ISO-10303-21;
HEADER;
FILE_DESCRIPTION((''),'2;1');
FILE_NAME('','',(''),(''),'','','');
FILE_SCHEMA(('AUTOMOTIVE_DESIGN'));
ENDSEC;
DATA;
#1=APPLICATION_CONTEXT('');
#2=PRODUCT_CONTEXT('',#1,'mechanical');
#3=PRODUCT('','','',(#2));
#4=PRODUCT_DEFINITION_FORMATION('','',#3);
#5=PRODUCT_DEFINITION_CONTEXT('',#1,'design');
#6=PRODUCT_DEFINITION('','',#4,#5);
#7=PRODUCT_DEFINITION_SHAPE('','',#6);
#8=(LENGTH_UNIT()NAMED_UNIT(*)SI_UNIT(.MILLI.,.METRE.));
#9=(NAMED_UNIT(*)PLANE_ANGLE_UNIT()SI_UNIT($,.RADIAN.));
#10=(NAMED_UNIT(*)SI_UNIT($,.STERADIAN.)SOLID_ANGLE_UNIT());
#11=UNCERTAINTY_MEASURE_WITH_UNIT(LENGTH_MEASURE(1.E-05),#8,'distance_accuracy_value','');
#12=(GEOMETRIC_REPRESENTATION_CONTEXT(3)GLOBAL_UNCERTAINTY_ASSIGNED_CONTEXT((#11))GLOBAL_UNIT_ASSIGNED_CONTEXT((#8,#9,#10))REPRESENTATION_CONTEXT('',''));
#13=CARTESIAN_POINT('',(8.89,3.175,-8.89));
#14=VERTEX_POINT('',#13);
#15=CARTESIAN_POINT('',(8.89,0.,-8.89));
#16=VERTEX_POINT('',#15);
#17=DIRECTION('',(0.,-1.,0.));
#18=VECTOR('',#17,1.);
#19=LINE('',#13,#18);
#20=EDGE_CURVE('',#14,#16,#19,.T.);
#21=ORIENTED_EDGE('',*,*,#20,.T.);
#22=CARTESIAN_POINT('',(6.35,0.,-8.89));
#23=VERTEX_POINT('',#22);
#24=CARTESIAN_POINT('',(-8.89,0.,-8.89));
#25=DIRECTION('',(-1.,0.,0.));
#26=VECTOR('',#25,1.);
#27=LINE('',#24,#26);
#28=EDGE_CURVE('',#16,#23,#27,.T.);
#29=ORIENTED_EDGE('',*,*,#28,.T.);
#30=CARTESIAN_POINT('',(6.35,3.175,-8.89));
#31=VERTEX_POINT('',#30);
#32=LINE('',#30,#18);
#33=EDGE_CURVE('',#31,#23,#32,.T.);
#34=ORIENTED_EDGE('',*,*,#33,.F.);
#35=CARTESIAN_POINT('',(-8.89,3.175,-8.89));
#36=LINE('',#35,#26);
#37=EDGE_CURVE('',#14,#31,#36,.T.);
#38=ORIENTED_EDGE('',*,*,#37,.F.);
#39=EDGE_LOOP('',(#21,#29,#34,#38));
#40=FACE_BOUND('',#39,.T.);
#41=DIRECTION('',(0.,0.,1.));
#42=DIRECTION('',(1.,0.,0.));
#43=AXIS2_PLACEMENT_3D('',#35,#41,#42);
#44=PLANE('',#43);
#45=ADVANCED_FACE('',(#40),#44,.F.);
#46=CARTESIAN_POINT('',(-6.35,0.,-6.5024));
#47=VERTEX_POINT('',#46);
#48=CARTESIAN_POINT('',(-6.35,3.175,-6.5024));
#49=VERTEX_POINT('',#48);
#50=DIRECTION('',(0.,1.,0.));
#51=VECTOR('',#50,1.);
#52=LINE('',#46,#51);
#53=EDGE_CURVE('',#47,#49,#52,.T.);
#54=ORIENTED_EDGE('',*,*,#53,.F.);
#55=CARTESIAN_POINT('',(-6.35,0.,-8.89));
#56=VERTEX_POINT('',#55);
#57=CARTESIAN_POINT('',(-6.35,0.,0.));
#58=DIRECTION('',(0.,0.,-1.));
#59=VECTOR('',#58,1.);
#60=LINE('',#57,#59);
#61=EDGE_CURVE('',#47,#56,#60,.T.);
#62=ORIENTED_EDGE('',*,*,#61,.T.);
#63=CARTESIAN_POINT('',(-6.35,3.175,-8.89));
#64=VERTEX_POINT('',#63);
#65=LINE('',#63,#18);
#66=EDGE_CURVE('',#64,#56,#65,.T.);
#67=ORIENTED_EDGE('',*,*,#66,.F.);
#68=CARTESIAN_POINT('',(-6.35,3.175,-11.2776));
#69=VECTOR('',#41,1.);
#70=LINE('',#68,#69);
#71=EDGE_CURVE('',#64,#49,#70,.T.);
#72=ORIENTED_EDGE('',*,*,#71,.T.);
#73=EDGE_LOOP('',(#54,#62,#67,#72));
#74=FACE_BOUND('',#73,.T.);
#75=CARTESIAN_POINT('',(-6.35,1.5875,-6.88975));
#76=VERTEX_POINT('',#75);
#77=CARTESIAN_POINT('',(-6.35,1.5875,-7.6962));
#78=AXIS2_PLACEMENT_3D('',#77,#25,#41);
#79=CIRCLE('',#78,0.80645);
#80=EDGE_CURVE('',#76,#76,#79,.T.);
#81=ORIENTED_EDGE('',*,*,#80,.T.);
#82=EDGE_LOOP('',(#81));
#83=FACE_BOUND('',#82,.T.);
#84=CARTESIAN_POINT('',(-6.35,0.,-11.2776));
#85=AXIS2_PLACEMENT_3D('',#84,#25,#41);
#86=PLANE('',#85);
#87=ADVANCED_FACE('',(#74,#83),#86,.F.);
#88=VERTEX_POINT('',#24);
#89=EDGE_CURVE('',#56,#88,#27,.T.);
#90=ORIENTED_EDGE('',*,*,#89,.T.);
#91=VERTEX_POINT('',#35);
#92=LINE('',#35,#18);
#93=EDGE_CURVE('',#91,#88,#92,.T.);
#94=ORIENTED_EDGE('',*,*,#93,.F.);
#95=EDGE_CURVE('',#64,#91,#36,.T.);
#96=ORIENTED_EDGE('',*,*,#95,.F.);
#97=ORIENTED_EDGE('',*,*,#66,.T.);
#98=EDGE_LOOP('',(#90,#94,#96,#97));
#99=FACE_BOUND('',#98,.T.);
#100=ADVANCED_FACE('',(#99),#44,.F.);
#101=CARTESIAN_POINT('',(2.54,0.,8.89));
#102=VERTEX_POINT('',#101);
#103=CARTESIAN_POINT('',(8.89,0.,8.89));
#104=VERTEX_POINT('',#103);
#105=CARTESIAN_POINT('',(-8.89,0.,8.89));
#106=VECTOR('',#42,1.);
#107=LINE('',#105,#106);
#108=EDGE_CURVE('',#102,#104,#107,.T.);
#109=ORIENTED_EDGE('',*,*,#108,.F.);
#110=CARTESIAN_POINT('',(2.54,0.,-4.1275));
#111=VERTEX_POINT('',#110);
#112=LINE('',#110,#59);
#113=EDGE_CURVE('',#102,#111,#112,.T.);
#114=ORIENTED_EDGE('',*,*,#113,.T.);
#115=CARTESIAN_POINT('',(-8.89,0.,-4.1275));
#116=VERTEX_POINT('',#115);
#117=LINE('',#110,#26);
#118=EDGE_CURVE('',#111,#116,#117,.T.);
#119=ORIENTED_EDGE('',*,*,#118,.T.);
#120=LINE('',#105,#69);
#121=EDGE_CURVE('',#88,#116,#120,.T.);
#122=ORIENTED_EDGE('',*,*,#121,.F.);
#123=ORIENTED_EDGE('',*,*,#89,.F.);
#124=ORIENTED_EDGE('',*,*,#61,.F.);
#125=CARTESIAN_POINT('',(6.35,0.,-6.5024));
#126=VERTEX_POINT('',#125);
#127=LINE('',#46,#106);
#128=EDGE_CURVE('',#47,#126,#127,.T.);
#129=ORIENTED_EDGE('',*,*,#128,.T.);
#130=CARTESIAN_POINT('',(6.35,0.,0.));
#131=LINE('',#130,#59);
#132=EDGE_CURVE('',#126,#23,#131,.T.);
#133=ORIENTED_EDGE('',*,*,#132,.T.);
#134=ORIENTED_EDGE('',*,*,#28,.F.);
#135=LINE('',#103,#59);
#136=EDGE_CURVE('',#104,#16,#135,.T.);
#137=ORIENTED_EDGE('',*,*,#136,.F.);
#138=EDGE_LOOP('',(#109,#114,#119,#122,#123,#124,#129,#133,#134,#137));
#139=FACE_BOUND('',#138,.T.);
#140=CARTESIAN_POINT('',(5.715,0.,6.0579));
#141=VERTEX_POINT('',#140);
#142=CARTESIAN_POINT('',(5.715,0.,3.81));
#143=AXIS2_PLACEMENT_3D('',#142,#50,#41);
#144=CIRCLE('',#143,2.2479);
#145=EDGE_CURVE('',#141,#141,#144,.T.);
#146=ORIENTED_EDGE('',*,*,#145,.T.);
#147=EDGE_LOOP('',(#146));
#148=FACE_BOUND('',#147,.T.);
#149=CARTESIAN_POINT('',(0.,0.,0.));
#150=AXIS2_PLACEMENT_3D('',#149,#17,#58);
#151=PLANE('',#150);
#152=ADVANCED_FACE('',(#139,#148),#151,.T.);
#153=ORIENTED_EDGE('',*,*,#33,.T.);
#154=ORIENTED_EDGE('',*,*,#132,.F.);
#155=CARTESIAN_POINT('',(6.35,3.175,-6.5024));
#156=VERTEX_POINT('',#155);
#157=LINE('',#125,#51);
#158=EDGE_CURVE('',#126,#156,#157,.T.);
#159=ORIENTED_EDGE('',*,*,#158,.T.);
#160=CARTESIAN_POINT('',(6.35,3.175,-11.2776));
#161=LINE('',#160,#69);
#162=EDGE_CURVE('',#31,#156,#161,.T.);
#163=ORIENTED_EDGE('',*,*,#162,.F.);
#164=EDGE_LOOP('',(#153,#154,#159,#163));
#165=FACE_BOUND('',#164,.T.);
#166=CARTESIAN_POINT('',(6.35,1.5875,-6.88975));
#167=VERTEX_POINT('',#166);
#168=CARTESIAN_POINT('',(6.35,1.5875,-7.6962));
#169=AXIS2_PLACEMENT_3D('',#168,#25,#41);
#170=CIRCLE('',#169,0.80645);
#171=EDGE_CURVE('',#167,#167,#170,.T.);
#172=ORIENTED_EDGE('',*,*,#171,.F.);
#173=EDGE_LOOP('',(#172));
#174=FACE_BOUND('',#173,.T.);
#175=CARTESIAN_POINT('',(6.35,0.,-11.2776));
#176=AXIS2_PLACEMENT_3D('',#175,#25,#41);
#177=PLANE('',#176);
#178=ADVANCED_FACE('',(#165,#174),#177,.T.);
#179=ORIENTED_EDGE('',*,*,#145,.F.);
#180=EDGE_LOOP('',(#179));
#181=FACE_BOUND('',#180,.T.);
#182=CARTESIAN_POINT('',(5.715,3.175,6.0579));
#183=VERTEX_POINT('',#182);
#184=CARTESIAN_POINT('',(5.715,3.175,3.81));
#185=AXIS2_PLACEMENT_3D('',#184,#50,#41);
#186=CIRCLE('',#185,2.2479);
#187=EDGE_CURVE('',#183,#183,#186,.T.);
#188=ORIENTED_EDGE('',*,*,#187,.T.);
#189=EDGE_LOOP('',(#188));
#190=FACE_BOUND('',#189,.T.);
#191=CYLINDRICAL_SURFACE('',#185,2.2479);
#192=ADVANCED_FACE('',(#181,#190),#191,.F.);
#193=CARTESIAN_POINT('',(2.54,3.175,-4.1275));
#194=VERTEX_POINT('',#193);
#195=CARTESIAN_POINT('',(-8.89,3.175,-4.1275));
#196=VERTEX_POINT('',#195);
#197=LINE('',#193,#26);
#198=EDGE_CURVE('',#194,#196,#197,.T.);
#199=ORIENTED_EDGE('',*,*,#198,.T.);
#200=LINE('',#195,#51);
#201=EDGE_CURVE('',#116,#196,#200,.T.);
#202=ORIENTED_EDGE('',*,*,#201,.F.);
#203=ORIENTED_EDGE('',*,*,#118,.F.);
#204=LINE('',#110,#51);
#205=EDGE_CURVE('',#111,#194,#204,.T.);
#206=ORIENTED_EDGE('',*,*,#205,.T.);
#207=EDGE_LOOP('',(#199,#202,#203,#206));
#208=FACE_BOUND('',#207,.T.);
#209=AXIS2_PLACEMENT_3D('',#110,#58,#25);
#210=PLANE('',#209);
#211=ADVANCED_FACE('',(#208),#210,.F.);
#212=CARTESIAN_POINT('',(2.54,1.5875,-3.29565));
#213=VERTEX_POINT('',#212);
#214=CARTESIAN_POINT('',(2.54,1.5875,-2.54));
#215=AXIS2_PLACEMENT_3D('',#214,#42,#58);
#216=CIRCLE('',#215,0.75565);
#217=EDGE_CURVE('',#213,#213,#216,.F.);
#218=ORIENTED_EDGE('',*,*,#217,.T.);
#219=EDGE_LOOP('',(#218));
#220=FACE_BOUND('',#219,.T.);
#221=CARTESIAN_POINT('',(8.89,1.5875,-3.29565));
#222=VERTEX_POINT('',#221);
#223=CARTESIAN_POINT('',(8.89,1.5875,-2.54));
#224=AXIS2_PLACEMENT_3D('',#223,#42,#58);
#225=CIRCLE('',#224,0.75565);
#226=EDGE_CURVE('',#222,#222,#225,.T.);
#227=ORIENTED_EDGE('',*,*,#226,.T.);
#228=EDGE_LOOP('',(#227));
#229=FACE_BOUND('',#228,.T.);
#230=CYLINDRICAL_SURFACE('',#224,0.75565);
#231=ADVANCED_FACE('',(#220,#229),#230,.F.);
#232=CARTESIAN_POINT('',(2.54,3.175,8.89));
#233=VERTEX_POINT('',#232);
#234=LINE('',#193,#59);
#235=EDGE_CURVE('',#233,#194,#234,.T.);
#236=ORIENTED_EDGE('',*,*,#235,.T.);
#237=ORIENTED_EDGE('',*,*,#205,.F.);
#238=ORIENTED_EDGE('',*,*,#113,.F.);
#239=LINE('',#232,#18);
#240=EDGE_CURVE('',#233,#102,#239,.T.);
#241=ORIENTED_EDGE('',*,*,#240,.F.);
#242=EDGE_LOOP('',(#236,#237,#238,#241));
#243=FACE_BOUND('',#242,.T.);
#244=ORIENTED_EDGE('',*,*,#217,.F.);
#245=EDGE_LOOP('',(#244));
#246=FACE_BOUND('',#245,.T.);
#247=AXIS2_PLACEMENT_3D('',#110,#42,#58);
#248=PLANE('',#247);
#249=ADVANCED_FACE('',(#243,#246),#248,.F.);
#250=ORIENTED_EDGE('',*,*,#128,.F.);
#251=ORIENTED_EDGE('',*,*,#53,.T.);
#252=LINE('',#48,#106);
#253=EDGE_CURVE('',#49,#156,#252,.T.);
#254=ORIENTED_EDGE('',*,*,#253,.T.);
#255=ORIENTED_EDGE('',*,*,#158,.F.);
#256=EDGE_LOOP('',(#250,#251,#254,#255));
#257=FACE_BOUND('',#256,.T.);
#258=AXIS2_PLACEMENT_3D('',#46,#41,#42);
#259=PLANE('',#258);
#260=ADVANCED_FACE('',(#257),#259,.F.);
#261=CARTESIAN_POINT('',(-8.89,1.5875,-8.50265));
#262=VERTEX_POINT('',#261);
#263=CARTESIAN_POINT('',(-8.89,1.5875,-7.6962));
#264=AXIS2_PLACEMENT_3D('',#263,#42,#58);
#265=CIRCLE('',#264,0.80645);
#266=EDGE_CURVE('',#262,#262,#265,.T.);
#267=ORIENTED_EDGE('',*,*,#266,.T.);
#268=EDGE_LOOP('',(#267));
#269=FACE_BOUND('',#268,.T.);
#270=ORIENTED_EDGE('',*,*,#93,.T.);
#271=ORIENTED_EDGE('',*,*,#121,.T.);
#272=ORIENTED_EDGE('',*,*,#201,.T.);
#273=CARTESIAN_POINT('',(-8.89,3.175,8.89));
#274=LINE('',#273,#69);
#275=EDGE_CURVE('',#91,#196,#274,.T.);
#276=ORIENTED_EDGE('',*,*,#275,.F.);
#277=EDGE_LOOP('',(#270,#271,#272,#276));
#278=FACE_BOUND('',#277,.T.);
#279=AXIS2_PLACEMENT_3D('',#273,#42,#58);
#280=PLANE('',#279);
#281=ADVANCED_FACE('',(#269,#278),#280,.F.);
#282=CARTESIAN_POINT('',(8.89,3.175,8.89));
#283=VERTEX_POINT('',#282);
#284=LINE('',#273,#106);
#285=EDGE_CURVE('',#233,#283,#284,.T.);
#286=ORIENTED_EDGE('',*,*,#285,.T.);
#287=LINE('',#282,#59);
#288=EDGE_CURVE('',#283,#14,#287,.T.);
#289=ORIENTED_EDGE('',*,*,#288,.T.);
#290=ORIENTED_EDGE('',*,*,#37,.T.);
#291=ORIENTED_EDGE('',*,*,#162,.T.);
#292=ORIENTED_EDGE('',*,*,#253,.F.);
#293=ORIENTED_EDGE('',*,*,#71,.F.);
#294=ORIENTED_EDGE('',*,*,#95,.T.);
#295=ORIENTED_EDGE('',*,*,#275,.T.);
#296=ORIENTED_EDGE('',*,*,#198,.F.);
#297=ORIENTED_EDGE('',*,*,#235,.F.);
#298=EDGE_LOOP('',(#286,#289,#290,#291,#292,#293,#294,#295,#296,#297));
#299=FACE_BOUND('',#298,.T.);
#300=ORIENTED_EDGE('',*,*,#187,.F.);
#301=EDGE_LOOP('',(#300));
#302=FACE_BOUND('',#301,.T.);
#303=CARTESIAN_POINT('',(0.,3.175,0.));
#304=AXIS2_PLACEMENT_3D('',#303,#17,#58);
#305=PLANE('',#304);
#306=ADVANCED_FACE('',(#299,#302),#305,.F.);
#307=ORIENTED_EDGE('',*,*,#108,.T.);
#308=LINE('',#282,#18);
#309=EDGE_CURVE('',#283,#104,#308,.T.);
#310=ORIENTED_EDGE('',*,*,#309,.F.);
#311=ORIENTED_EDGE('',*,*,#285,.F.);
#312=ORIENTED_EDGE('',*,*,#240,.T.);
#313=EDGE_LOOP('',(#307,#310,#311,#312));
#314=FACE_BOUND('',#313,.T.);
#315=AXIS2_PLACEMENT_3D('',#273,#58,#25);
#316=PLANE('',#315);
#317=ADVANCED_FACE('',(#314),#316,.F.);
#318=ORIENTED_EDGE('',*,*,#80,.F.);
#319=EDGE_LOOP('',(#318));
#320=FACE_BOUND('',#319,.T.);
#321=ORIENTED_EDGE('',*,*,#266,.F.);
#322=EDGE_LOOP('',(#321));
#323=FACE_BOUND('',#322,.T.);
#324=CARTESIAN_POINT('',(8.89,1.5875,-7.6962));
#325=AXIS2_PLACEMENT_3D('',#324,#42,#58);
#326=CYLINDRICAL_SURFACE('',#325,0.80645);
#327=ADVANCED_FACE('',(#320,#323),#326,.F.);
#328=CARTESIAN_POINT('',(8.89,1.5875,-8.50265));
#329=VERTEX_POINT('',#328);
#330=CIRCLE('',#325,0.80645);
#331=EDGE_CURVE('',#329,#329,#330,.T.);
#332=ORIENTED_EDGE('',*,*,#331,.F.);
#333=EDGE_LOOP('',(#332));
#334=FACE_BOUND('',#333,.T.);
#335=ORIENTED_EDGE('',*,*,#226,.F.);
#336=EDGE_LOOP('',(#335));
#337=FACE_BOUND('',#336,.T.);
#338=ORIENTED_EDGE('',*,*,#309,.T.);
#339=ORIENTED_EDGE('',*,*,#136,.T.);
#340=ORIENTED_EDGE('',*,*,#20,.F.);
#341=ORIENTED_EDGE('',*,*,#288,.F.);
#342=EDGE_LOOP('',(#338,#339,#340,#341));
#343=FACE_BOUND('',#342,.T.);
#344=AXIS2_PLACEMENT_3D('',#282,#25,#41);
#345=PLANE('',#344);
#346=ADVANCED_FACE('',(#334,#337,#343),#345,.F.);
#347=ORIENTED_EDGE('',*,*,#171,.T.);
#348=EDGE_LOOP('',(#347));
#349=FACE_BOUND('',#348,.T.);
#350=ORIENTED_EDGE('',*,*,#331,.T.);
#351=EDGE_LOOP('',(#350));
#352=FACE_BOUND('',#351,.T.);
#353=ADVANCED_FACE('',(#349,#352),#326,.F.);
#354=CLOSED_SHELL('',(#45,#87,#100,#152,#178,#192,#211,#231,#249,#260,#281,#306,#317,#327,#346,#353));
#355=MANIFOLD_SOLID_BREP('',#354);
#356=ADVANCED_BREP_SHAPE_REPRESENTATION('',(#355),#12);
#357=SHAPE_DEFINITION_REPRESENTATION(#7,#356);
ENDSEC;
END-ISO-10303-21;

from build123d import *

# Parameters (mm, degrees)
SKETCH1_W             = 17.78
SKETCH1_H             = 17.78
BOSS_EXTRUDE1_DEPTH   = 3.175
SKETCH2_W             = 12.7
SKETCH2_H             = 4.7752
CUT_EXTRUDE1_DEPTH    = 4.175
F_8_CLEARANCE_HOLE1_D = 4.4958
F_0_CLEARANCE_HOLE1_D = 1.6129
F_1_72_TAPPED_HOLE1_D = 1.5113
SKETCH16_W            = 15.75311933
SKETCH16_H            = 13.574133519
CUT_EXTRUDE2_DEPTH    = 4.175


with BuildPart() as part:
    # Sketch1 → Boss-Extrude1 (new body)
    with BuildSketch(Plane(origin=(0, 0, 0), x_dir=(1, 0, 0), z_dir=(0, 1, 0))):
        Rectangle(SKETCH1_W, SKETCH1_H)
    extrude(amount=BOSS_EXTRUDE1_DEPTH)

    # Sketch2 → Cut-Extrude1 (cut, through all)
    with BuildSketch(Plane(origin=(0, 3.175, 0), x_dir=(1, 0, 0), z_dir=(0, 1, 0))):
        with Locations((0, 8.89)):
            Rectangle(SKETCH2_W, SKETCH2_H)
    extrude(amount=-CUT_EXTRUDE1_DEPTH, mode=Mode.SUBTRACT)

    # #8 Clearance Hole1 (through all)
    with Locations(Plane(origin=(0, 3.175, 0), x_dir=(1, 0, 0), z_dir=(0, 1, 0))):
        with Locations((5.715, -3.81)):
            Hole(F_8_CLEARANCE_HOLE1_D / 2)

    # #0 Clearance Hole1 (through all)
    with Locations(Plane(origin=(8.89, 0, 0), x_dir=(0, 0, -1), z_dir=(1, 0, 0))):
        with Locations((7.6962, 1.5875)):
            Hole(F_0_CLEARANCE_HOLE1_D / 2)

    # #1-72 Tapped Hole1 (through all)
    with Locations(Plane(origin=(8.89, 0, 0), x_dir=(0, 0, -1), z_dir=(1, 0, 0))):
        with Locations((2.54, 1.5875)):
            Hole(F_1_72_TAPPED_HOLE1_D / 2)

    # Sketch16 → Cut-Extrude2 (cut, through all)
    with BuildSketch(Plane(origin=(0, 3.175, 0), x_dir=(1, 0, 0), z_dir=(0, 1, 0))):
        with Locations((-5.336559665, -2.65956676)):
            Rectangle(SKETCH16_W, SKETCH16_H)
    extrude(amount=-CUT_EXTRUDE2_DEPTH, mode=Mode.SUBTRACT)


solid = part.part
